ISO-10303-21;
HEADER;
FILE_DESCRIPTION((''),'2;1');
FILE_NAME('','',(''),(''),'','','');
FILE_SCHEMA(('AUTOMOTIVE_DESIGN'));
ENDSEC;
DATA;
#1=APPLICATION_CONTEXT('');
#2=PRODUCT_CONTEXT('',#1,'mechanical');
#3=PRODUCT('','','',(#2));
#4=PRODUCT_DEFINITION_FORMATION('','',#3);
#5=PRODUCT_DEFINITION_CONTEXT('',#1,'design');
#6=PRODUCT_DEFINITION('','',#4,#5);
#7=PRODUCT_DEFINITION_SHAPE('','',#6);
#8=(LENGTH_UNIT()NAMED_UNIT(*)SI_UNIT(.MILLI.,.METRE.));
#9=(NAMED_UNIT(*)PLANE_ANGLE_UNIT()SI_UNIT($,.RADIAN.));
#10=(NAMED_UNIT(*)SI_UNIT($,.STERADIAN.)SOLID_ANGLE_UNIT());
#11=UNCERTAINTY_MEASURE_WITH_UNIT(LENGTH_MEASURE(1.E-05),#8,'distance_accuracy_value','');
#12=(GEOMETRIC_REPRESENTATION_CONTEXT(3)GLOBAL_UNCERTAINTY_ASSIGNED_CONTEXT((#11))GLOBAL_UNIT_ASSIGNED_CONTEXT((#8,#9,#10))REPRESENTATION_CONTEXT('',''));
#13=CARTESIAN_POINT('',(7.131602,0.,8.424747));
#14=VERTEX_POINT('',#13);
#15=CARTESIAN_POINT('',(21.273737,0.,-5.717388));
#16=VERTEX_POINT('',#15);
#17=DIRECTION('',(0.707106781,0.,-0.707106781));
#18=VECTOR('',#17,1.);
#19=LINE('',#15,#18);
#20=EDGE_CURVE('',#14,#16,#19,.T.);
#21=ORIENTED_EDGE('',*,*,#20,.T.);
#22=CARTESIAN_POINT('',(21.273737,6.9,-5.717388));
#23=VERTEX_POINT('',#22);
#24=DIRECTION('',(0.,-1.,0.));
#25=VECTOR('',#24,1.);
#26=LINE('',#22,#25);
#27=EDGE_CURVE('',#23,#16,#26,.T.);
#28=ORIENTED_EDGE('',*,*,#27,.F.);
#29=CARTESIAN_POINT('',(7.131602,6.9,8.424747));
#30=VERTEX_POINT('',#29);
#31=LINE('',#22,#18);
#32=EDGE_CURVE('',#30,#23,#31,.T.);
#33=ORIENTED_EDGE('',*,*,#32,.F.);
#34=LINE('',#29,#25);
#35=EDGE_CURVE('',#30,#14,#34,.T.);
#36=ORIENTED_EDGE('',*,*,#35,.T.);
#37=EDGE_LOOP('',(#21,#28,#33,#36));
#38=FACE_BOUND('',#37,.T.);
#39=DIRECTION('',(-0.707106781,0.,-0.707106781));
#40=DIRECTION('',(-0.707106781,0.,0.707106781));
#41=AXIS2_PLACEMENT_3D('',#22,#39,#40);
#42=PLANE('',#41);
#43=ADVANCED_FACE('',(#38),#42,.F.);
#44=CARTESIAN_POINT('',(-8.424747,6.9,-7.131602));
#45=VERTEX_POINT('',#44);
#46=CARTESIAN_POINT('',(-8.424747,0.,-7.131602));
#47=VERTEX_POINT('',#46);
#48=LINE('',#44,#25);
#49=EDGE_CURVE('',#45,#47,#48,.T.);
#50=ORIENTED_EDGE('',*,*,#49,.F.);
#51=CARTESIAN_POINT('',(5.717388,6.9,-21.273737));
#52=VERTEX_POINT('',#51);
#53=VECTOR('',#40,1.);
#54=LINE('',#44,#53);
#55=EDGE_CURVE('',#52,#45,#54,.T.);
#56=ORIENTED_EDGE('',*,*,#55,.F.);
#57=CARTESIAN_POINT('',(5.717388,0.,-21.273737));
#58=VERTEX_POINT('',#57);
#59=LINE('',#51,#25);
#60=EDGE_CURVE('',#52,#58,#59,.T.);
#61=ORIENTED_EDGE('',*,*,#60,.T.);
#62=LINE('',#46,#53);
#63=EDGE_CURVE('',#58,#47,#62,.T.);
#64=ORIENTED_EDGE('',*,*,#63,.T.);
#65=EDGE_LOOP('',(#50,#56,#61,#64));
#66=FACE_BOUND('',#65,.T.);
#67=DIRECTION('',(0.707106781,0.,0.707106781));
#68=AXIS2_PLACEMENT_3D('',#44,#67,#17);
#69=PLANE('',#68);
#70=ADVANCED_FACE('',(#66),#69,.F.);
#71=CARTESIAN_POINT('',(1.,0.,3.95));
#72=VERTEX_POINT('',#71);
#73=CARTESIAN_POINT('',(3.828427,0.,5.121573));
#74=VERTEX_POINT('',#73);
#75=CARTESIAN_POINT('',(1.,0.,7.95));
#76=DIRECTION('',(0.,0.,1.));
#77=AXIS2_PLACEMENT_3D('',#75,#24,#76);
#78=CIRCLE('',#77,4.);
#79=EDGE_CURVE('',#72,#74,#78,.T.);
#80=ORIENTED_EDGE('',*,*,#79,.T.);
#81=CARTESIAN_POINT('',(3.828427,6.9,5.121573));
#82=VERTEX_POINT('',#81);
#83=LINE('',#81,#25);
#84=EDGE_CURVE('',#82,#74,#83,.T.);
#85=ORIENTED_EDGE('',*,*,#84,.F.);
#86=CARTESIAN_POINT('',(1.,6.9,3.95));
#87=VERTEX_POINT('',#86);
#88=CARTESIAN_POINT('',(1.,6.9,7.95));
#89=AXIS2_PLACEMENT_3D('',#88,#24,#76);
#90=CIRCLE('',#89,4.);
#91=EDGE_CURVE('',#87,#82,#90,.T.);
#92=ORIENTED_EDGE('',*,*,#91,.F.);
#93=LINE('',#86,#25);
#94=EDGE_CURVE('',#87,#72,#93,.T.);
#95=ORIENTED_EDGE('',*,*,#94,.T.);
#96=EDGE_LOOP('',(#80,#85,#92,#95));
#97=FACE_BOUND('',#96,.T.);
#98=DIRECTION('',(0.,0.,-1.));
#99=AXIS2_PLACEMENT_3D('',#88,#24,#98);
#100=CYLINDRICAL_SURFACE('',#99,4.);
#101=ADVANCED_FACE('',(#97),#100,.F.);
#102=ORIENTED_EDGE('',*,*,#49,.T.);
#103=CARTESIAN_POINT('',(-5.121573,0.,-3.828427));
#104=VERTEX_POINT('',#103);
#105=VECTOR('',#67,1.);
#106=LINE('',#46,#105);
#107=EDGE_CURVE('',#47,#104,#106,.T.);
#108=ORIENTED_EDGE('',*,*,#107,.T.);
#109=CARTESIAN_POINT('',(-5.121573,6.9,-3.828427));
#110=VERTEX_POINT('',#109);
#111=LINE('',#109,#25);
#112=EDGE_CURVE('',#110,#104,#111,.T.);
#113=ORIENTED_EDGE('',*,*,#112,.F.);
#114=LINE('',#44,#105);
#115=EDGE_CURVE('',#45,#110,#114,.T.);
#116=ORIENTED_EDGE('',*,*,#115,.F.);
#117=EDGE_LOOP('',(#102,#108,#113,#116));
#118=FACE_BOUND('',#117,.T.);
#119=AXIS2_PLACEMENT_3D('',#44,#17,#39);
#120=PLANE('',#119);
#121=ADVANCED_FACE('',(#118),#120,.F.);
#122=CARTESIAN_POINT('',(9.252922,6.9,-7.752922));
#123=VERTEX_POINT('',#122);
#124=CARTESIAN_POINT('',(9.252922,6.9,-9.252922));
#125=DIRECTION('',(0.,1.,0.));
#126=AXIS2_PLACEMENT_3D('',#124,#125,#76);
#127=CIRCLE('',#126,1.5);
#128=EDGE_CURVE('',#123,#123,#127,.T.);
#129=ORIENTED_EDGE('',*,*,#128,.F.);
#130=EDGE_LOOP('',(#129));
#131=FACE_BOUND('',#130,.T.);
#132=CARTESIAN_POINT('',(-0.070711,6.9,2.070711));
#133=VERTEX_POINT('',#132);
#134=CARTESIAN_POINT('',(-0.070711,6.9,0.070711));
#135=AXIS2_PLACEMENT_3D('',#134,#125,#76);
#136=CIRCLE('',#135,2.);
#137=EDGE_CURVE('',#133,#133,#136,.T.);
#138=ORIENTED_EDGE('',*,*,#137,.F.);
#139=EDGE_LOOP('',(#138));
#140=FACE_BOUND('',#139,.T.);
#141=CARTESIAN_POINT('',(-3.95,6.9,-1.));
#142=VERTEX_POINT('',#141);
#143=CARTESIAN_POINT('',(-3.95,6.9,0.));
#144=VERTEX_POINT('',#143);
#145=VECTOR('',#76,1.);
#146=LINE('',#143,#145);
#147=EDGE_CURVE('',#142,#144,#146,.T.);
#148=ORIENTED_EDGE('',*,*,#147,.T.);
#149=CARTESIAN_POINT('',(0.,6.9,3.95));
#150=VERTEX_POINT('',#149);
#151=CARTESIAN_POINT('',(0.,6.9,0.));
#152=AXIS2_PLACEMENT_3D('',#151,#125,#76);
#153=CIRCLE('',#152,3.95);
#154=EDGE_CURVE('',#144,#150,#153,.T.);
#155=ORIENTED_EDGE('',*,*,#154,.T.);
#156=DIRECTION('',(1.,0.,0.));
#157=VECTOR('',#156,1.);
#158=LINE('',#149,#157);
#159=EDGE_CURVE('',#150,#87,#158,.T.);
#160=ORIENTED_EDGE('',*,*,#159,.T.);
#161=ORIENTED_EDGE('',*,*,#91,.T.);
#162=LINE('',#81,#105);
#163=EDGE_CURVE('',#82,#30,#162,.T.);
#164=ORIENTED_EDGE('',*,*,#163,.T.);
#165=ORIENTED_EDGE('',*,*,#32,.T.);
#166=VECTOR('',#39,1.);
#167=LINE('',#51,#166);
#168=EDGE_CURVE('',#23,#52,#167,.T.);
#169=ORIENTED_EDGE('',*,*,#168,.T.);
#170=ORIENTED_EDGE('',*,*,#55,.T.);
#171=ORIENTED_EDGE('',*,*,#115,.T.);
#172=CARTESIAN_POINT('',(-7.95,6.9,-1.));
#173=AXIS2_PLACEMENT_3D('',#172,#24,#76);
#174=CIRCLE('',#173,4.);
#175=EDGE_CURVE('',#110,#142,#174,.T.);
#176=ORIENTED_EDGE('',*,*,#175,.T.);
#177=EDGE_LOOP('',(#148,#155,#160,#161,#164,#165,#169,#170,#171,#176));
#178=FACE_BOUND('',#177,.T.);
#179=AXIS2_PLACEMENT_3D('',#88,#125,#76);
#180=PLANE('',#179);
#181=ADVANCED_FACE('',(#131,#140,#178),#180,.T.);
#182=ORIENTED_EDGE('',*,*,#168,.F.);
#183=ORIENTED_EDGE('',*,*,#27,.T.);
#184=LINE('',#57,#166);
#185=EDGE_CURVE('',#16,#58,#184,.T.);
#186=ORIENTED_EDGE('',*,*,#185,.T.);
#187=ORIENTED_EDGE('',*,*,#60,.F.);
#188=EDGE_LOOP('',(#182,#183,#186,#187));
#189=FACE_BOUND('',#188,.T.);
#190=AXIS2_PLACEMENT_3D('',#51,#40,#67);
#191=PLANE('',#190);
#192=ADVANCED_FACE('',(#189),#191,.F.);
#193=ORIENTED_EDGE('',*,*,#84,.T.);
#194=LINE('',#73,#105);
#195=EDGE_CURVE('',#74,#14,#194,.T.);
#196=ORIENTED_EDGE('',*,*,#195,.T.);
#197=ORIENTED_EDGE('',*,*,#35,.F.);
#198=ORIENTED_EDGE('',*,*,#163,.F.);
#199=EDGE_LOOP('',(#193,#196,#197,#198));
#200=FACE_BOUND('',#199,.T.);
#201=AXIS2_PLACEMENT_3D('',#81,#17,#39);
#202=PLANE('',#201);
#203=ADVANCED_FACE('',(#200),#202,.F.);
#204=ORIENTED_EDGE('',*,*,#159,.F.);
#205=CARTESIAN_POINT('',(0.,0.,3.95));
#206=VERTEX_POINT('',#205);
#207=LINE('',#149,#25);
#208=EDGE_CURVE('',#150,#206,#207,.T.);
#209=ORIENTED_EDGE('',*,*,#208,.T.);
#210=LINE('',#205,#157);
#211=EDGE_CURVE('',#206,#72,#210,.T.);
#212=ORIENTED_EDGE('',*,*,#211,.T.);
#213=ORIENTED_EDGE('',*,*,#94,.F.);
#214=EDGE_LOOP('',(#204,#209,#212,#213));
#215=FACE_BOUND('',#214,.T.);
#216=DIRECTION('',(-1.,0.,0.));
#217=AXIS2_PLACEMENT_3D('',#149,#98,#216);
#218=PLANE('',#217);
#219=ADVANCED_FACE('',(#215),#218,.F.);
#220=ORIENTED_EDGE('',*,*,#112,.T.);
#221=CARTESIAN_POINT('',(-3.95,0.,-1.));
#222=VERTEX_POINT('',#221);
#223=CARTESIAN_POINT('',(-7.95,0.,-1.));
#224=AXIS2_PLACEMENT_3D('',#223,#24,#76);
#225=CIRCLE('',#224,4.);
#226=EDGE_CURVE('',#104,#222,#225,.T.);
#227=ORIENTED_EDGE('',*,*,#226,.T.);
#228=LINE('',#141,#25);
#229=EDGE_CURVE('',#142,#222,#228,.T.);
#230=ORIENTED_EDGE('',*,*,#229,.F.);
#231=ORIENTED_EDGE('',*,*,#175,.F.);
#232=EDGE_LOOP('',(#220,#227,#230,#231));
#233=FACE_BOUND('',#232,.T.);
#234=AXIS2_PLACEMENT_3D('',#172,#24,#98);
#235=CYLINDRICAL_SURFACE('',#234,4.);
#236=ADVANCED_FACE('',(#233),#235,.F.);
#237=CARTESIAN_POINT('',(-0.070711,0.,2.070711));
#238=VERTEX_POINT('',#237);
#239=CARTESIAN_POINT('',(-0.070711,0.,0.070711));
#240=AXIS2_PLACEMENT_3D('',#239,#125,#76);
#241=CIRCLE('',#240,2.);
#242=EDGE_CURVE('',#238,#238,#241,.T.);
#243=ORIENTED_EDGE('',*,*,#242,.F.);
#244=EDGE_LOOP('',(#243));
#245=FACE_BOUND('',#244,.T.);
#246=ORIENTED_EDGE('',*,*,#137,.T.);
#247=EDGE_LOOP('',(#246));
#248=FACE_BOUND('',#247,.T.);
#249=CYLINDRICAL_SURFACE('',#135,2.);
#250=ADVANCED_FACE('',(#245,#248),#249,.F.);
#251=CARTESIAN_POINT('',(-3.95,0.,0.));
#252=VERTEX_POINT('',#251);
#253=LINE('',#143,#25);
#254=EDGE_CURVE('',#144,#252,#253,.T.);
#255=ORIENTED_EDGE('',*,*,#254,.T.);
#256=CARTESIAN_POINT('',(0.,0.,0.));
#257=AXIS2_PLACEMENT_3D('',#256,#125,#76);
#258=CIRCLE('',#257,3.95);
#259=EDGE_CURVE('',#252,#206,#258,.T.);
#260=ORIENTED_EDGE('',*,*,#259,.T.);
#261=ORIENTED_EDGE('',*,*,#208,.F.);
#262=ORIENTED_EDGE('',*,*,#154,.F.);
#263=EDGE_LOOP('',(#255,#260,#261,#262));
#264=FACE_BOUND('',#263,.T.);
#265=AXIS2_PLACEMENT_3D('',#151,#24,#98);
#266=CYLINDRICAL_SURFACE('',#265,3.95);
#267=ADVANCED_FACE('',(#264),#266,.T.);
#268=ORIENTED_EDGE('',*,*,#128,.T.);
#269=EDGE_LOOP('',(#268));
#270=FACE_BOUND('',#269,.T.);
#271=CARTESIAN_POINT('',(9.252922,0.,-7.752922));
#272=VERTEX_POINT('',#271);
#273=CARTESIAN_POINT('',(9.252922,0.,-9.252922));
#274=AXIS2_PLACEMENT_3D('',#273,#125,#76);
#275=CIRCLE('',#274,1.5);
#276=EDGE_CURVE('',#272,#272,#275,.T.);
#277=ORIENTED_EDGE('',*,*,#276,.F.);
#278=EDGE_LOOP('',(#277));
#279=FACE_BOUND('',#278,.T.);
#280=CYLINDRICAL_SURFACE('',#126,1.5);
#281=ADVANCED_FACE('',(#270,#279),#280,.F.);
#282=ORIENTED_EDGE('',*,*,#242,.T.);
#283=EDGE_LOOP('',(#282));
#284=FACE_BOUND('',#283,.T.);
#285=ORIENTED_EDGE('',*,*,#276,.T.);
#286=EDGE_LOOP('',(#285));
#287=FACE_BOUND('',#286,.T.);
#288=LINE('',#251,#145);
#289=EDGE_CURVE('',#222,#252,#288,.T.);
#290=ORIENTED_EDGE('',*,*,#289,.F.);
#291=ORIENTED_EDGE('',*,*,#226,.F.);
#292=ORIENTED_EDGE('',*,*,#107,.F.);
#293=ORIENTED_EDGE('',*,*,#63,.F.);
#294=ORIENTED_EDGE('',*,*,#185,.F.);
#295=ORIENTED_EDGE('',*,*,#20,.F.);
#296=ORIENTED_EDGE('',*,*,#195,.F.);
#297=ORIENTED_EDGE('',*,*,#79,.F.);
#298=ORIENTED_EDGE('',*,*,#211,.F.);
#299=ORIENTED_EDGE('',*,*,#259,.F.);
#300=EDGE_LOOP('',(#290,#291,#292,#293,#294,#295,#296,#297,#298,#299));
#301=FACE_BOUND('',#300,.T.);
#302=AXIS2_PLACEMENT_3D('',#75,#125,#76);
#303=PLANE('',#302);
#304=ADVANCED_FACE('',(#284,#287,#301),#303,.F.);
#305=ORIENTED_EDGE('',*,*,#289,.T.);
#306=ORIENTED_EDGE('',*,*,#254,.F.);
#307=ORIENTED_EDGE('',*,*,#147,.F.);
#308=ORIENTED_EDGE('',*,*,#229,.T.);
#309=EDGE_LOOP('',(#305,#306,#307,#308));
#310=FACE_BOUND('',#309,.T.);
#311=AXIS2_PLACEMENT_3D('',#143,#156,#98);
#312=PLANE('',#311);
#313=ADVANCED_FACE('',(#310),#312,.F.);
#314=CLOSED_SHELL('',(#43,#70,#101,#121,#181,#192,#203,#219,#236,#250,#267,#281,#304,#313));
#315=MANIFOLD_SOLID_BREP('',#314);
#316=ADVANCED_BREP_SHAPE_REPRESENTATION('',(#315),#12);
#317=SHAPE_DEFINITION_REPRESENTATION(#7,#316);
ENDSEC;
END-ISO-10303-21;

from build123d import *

# Parameters (mm, degrees)
AUFSATZ_LINEAR_AUSTRAGEN1_DEPTH = 6.9
F_4_0_4_DURCHMESSER_BOHRUNG1_D  = 4
F_3_0_3_DURCHMESSER_BOHRUNG1_D  = 3


with BuildPart() as part:
    # Skizze1 → Aufsatz-Linear austragen1 (new body)
    with BuildSketch(Plane(origin=(0, 0, 0), x_dir=(1, 0, 0), z_dir=(0, 1, 0))):
        with BuildLine():
            Line((0, -3.95), (1, -3.95))
            ThreePointArc((1, -3.95), (2.530733729, -4.25448187), (3.828427125, -5.121572875))
            Line((3.828427125, -5.121572875), (7.131601718, -8.424747468))
            Line((7.131601718, -8.424747468), (21.273737342, 5.717388155))
            Line((21.273737342, 5.717388155), (5.717388155, 21.273737342))
            Line((5.717388155, 21.273737342), (-8.424747468, 7.131601718))
            Line((-8.424747468, 7.131601718), (-5.121572875, 3.828427125))
            ThreePointArc((-5.121572875, 3.828427125), (-4.25448187, 2.530733729), (-3.95, 1))
            Line((-3.95, 1), (-3.95, 0))
            ThreePointArc((-3.95, 0), (-2.793071786, -2.793071786), (0, -3.95))
        make_face()
    extrude(amount=AUFSATZ_LINEAR_AUSTRAGEN1_DEPTH)

    # Ø4.0 (4) Durchmesser Bohrung1 (through all)
    with Locations(Plane(origin=(0, 6.9, 0), x_dir=(1, 0, 0), z_dir=(0, 1, 0))):
        with Locations((-0.070710678, -0.070710678)):
            Hole(F_4_0_4_DURCHMESSER_BOHRUNG1_D / 2)

    # Ø3.0 (3) Durchmesser Bohrung1 (through all)
    with Locations(Plane(origin=(0, 6.9, 0), x_dir=(1, 0, 0), z_dir=(0, 1, 0))):
        with Locations((9.252922061, 9.252922061)):
            Hole(F_3_0_3_DURCHMESSER_BOHRUNG1_D / 2)


solid = part.part
